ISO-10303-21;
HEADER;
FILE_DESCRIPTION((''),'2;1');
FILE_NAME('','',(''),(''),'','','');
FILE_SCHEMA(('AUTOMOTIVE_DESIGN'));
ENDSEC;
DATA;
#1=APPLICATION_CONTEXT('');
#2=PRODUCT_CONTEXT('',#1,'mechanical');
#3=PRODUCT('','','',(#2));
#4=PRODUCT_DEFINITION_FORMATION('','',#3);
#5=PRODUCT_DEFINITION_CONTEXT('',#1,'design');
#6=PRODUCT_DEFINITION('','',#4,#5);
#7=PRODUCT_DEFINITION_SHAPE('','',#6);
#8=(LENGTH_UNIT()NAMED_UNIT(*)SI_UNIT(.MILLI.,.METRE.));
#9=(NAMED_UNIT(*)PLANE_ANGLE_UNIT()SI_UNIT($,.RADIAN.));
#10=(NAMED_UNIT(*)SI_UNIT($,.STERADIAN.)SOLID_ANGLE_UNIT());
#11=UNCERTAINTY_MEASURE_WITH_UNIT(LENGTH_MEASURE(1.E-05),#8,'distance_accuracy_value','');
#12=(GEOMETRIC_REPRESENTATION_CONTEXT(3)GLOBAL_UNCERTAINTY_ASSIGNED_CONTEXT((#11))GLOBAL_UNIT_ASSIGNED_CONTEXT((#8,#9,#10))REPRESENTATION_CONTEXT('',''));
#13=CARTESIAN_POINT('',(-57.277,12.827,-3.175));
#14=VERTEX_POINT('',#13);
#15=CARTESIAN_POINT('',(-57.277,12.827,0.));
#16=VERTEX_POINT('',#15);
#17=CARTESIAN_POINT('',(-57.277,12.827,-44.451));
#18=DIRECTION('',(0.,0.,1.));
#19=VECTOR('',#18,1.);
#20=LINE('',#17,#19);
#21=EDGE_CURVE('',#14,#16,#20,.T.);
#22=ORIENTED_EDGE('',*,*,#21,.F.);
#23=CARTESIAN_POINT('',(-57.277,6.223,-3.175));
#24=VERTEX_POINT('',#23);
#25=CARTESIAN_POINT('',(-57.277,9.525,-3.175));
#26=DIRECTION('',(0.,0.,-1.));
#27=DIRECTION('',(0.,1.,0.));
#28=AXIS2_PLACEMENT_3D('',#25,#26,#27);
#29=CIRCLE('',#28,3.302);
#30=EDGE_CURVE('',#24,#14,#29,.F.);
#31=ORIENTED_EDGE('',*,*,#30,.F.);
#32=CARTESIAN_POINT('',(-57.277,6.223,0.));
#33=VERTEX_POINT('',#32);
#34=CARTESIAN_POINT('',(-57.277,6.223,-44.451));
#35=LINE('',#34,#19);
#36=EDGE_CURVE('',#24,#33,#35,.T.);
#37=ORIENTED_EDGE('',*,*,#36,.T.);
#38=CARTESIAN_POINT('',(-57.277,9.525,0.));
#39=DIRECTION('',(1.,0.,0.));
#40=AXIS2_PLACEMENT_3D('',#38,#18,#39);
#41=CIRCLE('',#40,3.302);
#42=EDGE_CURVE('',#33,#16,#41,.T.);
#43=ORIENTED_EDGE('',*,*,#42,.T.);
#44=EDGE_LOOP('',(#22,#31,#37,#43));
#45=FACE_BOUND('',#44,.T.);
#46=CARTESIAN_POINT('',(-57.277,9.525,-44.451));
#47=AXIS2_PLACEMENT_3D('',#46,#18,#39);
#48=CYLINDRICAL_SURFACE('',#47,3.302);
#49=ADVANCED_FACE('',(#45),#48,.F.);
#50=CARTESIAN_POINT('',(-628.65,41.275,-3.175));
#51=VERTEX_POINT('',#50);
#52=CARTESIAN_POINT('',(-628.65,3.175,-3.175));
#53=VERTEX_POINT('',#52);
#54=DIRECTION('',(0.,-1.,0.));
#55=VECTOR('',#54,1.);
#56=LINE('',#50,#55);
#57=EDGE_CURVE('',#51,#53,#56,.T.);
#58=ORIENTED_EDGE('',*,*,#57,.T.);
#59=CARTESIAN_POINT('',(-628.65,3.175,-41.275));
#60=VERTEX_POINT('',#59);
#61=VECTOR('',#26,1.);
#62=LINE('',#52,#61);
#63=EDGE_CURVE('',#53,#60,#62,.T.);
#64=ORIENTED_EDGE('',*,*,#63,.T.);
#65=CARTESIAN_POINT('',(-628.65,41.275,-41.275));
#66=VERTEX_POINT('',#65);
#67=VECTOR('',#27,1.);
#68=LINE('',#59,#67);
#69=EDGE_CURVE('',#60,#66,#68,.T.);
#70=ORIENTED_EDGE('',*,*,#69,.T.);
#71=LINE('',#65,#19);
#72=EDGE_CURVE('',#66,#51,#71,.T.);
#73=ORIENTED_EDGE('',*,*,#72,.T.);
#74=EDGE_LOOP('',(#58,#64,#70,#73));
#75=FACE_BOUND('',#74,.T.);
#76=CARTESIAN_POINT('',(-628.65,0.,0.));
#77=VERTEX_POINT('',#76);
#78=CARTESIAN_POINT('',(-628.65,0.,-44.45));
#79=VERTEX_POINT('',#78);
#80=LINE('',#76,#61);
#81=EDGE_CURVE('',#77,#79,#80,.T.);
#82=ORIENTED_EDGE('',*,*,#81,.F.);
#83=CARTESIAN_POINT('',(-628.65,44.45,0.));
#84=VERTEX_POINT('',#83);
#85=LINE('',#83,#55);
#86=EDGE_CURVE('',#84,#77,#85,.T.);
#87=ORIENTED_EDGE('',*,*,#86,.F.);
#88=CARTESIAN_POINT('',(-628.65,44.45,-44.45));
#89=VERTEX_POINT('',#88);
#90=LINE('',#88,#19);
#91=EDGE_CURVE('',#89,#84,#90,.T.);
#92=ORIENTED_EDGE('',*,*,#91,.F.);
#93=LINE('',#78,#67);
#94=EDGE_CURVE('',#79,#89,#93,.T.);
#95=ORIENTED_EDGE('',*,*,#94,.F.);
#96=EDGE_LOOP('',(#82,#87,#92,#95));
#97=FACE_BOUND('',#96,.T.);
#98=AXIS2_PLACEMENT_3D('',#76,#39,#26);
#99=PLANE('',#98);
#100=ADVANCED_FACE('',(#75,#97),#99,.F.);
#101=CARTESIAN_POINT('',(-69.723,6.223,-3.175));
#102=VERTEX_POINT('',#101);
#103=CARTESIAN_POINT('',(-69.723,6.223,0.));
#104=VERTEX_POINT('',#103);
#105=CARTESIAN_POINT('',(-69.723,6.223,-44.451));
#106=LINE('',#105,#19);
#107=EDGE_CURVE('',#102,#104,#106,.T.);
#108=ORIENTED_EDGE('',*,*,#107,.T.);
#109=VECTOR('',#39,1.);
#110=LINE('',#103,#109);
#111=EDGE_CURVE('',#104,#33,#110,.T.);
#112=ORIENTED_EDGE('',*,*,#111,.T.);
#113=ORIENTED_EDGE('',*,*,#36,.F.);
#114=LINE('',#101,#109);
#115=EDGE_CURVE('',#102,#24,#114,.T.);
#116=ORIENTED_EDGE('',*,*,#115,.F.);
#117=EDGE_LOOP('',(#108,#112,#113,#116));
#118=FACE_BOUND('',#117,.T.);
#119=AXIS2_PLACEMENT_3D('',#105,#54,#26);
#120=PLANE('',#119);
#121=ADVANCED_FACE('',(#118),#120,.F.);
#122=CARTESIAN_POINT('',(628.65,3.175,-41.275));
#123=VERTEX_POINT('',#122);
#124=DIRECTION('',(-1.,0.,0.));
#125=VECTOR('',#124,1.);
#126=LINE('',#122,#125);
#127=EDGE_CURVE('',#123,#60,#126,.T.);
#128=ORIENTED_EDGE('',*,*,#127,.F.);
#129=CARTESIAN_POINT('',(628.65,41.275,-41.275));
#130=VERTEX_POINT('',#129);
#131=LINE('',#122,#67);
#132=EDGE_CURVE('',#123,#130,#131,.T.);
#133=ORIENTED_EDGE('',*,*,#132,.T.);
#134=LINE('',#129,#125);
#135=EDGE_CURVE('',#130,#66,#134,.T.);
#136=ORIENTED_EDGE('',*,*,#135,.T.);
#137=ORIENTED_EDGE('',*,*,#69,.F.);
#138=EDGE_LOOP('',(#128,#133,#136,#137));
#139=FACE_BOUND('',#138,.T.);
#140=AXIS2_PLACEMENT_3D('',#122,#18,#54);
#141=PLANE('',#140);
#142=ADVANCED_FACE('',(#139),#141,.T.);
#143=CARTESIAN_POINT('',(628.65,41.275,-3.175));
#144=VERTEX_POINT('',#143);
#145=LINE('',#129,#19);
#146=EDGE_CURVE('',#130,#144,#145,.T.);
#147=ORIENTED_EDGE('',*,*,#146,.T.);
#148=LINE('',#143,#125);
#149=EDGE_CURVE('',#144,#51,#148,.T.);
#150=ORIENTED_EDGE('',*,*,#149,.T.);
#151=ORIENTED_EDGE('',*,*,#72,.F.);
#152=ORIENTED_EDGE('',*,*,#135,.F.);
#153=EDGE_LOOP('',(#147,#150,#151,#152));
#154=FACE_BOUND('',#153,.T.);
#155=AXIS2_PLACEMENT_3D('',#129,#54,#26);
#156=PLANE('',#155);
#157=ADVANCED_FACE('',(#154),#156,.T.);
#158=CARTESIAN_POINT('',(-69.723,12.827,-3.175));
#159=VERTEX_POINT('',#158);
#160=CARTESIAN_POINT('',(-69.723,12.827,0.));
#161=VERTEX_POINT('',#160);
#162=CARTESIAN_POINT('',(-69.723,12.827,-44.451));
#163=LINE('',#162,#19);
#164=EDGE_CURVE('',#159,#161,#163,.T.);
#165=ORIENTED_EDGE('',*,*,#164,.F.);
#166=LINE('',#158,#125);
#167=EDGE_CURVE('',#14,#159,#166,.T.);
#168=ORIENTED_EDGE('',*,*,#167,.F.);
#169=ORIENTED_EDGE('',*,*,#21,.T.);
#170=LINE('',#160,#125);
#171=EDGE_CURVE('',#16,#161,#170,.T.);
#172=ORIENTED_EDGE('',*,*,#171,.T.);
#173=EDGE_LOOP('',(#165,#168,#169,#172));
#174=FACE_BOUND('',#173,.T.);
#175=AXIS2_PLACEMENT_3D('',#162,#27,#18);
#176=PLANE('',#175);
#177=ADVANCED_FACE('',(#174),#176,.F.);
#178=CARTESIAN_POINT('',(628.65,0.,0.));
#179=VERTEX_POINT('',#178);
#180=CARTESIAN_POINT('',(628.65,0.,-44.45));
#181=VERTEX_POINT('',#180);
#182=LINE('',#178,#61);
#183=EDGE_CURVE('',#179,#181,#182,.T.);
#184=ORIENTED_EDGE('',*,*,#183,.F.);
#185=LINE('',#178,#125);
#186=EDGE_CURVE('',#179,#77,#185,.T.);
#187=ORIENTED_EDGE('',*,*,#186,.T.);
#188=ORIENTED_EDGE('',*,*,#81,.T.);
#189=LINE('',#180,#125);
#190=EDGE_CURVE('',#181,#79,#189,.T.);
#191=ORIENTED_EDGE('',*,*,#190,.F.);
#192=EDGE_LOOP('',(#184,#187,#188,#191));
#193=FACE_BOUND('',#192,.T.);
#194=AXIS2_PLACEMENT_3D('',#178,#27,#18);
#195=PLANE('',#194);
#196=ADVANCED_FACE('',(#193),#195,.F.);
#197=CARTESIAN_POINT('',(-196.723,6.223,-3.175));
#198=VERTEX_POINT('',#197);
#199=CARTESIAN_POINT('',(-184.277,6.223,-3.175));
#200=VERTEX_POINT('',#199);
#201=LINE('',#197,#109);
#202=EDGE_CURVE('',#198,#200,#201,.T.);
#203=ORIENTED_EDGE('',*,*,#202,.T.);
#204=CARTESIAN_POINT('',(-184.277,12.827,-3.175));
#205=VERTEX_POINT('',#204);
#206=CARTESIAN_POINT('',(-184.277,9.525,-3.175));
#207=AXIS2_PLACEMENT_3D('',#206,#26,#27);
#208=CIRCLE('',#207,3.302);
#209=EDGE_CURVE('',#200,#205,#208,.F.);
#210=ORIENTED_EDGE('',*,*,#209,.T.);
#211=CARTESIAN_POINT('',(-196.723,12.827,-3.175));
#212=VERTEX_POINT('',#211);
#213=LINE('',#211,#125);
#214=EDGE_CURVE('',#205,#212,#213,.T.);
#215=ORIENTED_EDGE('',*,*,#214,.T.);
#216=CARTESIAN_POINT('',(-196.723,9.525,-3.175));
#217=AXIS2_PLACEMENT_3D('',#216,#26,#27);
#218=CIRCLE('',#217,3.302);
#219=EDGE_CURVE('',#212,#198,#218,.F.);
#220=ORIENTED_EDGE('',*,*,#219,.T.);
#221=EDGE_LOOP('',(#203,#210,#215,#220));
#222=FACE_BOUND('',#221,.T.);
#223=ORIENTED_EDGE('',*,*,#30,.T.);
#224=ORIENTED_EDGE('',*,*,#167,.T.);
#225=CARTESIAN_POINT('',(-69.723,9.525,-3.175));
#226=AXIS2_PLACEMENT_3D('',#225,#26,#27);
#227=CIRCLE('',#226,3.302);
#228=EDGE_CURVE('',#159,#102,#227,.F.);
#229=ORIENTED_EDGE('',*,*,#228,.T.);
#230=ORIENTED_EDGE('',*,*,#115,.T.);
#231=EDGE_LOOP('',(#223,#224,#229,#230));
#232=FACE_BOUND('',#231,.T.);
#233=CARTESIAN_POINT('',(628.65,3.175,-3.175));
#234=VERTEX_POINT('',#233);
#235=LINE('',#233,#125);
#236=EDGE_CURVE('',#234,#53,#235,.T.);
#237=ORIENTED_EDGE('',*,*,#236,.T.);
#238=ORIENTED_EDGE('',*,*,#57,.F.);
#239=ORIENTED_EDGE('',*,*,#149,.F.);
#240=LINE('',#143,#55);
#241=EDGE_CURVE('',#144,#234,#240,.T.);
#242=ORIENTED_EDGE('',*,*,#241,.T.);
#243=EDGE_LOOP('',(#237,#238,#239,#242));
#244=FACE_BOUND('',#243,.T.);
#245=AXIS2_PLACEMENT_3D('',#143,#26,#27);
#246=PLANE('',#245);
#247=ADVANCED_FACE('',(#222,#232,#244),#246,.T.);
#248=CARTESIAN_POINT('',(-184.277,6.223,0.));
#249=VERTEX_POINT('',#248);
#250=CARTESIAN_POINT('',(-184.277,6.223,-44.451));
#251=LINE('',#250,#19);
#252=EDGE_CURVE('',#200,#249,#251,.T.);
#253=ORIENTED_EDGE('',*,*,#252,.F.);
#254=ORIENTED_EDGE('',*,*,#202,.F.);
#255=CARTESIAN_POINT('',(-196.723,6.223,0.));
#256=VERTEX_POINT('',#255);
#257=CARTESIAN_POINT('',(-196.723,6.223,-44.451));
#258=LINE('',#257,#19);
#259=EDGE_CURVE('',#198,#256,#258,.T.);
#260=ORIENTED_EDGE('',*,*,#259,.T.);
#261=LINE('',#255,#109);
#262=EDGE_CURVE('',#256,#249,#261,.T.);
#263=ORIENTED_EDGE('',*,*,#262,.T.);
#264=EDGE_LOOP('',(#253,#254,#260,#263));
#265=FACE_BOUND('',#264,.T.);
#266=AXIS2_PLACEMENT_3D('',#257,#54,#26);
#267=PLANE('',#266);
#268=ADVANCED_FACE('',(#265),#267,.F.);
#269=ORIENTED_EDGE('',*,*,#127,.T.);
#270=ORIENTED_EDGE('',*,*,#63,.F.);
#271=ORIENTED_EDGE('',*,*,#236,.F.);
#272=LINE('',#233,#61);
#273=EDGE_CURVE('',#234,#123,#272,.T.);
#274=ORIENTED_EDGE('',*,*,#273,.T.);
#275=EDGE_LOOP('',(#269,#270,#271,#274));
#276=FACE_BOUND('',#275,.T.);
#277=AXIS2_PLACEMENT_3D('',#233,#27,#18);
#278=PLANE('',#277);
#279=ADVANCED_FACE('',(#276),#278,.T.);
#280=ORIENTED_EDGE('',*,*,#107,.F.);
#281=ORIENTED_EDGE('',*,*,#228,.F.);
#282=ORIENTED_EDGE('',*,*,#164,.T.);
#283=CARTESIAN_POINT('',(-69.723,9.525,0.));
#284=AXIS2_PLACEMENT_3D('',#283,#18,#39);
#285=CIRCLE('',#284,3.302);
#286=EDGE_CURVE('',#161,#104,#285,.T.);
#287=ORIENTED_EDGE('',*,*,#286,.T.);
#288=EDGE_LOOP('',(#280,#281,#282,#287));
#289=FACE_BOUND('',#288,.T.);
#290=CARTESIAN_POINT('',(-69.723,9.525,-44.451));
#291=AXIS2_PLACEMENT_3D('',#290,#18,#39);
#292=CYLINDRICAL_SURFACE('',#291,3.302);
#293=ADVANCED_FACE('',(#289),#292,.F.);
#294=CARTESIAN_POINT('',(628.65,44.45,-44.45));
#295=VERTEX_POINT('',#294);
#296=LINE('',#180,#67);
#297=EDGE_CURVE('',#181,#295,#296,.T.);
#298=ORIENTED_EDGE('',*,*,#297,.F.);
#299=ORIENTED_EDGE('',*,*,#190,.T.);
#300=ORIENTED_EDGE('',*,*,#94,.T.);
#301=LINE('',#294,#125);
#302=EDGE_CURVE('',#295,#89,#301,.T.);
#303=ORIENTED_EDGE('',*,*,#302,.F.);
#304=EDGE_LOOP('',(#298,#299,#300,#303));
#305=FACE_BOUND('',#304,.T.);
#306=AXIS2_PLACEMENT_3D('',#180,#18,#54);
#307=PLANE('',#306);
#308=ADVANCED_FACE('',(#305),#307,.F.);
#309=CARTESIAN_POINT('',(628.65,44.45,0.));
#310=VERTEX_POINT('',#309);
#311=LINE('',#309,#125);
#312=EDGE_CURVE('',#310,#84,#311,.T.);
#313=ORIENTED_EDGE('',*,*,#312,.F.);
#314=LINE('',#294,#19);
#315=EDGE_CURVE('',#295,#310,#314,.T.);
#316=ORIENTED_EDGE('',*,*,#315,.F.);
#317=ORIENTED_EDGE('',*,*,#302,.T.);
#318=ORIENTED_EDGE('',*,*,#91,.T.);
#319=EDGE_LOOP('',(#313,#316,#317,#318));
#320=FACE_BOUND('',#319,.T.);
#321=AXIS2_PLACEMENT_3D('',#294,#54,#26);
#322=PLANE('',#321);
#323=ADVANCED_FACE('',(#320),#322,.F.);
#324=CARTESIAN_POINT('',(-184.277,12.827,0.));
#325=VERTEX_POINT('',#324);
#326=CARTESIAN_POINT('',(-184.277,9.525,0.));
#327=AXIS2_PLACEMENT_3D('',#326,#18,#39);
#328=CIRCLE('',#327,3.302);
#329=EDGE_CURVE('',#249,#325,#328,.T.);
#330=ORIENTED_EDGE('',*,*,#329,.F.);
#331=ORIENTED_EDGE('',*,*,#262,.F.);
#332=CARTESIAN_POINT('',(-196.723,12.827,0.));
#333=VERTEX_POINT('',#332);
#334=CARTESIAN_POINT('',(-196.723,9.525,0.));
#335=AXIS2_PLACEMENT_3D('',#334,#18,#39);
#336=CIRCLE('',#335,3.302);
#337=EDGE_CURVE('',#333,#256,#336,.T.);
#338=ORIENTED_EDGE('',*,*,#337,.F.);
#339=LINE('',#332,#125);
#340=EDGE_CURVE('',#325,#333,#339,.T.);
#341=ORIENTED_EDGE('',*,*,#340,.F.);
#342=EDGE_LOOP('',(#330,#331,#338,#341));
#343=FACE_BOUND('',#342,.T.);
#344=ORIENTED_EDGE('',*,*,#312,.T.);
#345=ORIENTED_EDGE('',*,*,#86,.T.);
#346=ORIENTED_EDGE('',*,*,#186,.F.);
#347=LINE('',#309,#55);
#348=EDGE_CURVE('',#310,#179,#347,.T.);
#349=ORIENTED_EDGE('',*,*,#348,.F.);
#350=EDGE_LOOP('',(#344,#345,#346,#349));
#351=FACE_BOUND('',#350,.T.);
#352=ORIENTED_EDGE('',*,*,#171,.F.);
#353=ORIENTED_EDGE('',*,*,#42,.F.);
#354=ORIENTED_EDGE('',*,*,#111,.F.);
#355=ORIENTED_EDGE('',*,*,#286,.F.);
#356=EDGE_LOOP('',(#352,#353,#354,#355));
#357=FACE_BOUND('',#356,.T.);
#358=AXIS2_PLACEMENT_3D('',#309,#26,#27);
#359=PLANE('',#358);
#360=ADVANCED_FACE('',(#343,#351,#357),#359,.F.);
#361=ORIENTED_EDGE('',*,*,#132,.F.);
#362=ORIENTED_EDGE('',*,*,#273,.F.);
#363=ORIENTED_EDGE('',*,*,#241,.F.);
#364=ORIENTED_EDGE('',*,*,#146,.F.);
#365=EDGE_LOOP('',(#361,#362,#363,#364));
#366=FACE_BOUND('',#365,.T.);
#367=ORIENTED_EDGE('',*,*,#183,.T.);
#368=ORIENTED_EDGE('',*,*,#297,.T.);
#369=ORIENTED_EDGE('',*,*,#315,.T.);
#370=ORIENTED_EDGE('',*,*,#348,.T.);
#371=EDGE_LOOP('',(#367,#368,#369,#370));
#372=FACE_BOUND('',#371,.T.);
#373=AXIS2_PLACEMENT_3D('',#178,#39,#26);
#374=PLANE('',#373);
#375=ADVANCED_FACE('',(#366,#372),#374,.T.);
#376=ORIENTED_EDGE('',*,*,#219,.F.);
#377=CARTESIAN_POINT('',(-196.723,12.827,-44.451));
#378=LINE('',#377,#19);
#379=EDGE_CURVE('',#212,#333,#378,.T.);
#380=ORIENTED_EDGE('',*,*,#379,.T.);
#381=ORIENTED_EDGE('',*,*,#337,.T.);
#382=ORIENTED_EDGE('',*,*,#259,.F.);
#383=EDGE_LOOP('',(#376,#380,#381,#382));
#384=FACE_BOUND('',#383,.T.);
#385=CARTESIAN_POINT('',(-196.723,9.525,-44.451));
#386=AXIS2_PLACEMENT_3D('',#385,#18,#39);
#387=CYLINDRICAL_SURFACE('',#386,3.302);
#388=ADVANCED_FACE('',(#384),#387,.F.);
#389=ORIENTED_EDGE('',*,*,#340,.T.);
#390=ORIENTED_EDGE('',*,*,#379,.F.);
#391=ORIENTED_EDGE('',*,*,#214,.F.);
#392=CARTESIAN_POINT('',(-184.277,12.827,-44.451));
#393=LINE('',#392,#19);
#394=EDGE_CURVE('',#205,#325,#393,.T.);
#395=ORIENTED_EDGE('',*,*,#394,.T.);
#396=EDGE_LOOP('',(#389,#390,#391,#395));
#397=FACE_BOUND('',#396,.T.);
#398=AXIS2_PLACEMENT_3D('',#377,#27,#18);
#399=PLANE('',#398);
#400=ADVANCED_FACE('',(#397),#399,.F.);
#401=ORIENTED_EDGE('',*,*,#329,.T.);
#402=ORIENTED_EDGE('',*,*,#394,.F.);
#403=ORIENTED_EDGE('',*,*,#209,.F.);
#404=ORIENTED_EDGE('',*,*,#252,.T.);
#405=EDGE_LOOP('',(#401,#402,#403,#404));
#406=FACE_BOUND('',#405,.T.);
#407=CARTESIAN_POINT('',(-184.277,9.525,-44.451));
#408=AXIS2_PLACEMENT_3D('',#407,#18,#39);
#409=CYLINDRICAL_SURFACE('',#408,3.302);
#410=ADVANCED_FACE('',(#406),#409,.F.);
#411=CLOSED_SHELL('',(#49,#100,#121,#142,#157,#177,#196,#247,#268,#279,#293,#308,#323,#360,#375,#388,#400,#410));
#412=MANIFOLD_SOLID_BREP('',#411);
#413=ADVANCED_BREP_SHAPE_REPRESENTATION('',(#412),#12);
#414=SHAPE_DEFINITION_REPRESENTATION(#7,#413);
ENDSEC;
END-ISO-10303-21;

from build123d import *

# Parameters (mm, degrees)
SKETCH1_W           = 44.45
SKETCH1_H           = 44.45
SKETCH1_W_2         = 38.1
SKETCH1_H_2         = 38.1
BOSS_EXTRUDE1_DEPTH = 628.65
CUT_EXTRUDE1_REACH  = 46.45


with BuildPart() as part:
    # Sketch1 → Boss-Extrude1 (new body, symmetric)
    with BuildSketch(Plane(origin=(0, 0, 0), x_dir=(0, 0, -1), z_dir=(1, 0, 0))):
        with Locations((22.225, 22.225)):
            Rectangle(SKETCH1_W, SKETCH1_H)
        with Locations((22.225, 22.225)):
            Rectangle(SKETCH1_W_2, SKETCH1_H_2, mode=Mode.SUBTRACT)
    extrude(amount=BOSS_EXTRUDE1_DEPTH, both=True)

    # Sketch2 → Cut-Extrude1 (cut, up to next)
    with BuildSketch(Plane.XY, mode=Mode.PRIVATE) as cut_extrude1_sk1:
        with BuildLine():
            Line((-196.723, 12.827), (-184.277, 12.827))
            ThreePointArc((-184.277, 12.827), (-180.975, 9.525), (-184.277, 6.223))
            Line((-184.277, 6.223), (-196.723, 6.223))
            ThreePointArc((-196.723, 6.223), (-200.025, 9.525), (-196.723, 12.827))
        make_face()
    cut_extrude1_tool1 = extrude(cut_extrude1_sk1.sketch, amount=-CUT_EXTRUDE1_REACH, mode=Mode.PRIVATE) & part.part
    add(cut_extrude1_tool1.solids().sort_by_distance((-190.5, 9.525, 0))[0], mode=Mode.SUBTRACT)
    # Sketch2 → Cut-Extrude1 (cut, up to next)
    with BuildSketch(Plane.XY, mode=Mode.PRIVATE) as cut_extrude1_sk2:
        with BuildLine():
            Line((-69.723, 12.827), (-57.277, 12.827))
            ThreePointArc((-57.277, 12.827), (-53.975, 9.525), (-57.277, 6.223))
            Line((-57.277, 6.223), (-69.723, 6.223))
            ThreePointArc((-69.723, 6.223), (-73.025, 9.525), (-69.723, 12.827))
        make_face()
    cut_extrude1_tool2 = extrude(cut_extrude1_sk2.sketch, amount=-CUT_EXTRUDE1_REACH, mode=Mode.PRIVATE) & part.part
    add(cut_extrude1_tool2.solids().sort_by_distance((-63.5, 9.525, 0))[0], mode=Mode.SUBTRACT)


solid = part.part
